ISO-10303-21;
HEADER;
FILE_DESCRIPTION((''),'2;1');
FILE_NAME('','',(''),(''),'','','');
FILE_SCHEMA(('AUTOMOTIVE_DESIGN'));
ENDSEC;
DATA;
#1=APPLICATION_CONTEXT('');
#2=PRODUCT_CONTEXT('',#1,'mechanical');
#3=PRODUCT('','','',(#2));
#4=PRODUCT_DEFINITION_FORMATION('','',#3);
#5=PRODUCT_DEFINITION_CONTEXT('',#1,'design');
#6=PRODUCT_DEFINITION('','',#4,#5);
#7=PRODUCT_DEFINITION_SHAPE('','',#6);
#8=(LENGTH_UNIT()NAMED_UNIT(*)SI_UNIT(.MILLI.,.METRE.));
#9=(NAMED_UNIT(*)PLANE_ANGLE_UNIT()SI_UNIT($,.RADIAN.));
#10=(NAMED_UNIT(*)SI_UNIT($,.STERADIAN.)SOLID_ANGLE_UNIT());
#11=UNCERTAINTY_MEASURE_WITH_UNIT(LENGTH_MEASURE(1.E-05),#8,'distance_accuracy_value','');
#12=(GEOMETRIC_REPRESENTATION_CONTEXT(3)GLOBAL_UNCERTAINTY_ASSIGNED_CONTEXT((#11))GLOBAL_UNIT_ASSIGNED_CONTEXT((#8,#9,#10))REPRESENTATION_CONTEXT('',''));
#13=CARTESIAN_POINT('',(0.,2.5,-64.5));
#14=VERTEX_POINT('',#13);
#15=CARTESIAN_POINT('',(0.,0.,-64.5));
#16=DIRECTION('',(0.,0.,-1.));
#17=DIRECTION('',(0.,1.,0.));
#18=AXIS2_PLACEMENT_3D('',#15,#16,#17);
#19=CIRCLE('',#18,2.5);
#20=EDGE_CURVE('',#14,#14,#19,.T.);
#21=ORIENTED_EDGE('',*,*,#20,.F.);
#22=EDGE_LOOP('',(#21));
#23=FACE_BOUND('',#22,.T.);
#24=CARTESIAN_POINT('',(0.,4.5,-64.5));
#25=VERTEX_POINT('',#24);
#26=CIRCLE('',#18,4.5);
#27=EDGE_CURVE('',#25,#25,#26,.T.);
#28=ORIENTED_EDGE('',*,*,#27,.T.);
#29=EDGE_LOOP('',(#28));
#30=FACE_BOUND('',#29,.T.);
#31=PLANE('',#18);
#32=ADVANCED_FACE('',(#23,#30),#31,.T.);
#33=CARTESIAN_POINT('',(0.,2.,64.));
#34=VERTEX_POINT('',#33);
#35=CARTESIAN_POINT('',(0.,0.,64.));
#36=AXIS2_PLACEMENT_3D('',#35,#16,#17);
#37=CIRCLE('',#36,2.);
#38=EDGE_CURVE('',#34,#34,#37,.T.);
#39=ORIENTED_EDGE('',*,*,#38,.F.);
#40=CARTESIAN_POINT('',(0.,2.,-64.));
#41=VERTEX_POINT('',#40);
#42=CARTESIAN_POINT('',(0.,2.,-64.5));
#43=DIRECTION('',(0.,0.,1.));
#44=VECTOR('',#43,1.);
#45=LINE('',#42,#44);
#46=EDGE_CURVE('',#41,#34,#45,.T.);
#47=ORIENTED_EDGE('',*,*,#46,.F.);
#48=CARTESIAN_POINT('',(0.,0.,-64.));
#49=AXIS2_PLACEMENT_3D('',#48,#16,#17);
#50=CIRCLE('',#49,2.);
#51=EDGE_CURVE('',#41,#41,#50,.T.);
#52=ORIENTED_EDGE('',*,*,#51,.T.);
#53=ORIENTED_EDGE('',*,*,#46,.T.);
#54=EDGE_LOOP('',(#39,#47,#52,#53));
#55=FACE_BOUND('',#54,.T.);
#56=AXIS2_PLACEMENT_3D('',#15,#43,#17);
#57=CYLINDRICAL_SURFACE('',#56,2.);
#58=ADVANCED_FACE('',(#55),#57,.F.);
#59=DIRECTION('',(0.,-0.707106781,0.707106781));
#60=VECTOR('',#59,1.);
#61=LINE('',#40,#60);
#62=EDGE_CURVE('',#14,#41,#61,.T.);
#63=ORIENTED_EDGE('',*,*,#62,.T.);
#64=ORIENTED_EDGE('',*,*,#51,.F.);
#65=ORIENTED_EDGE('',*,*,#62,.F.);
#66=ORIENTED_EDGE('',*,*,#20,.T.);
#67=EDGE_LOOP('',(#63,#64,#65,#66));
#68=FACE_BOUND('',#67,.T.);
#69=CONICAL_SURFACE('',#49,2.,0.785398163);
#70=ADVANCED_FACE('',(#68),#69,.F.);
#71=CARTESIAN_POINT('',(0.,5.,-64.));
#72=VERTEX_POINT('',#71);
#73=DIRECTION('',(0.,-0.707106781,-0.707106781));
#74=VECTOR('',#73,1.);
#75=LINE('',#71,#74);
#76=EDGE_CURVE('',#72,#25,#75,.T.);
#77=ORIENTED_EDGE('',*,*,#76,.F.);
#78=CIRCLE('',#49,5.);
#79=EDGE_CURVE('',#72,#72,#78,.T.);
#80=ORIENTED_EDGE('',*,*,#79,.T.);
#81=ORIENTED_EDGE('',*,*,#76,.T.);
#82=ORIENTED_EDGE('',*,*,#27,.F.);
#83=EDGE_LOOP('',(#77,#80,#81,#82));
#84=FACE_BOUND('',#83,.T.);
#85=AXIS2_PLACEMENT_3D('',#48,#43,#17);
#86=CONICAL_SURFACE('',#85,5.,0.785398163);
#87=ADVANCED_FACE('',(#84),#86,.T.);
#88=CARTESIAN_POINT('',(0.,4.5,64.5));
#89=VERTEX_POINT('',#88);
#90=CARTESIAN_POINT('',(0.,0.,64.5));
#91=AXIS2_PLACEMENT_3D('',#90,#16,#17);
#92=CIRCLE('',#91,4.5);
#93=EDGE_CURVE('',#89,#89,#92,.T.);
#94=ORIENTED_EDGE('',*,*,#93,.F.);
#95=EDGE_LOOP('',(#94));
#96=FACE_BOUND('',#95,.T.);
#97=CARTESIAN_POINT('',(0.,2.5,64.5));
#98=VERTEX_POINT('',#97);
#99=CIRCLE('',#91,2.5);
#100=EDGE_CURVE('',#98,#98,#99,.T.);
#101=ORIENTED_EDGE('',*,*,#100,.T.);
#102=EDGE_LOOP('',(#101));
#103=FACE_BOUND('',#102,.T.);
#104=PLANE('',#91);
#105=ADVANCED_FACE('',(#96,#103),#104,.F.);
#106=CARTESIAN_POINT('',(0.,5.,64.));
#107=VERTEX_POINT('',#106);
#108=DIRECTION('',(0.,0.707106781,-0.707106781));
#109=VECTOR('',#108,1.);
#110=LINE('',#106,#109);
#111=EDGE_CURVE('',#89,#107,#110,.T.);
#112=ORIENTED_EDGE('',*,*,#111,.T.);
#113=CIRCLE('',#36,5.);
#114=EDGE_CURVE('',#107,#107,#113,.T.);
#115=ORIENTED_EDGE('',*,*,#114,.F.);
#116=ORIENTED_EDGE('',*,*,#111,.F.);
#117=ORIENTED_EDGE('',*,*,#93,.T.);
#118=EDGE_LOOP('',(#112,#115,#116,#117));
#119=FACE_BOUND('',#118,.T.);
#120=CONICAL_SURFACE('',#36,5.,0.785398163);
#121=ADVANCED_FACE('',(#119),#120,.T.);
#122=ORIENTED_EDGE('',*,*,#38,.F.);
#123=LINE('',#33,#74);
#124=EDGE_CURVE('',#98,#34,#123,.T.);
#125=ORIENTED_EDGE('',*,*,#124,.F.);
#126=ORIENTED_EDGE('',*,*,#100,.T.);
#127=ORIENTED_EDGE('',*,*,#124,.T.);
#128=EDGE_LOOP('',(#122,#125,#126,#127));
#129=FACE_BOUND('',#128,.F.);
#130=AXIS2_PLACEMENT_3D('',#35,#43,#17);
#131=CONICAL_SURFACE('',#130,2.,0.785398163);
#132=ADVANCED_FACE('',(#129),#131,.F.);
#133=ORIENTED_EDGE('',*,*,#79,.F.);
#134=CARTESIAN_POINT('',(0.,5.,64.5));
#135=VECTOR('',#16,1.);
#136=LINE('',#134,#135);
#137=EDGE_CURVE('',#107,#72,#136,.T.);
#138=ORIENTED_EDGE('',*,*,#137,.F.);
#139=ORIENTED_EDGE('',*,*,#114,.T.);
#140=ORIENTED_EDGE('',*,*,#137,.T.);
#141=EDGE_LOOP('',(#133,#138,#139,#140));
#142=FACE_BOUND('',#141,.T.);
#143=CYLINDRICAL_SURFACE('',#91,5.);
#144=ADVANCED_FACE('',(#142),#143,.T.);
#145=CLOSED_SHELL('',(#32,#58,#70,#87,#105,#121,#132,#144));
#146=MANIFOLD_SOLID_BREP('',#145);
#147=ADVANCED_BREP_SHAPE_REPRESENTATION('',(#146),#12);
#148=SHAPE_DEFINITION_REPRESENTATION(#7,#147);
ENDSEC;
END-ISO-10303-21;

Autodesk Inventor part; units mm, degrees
ref_plane "YZ Plane" through (0, 0, 0) normal (1, 0, 0) x (0, 1, 0)
ref_plane "XZ Plane" through (0, 0, 0) normal (0, 1, 0) x (-1, 0, 0)
ref_plane "XY Plane" through (0, 0, 0) normal (0, 0, 1) x (1, 0, 0)
sketch "Boceto1" plane through (0, 0, 0) normal (1, 0, 0) x (0, 1, 0)
  line L0 (0, 64.5) -> (0, -64.5)
  line L1 (2, 64.5) -> (5, 64.5)
  line L2 (5, 64.5) -> (5, -64.5)
  line L3 (5, -64.5) -> (2, -64.5)
  line L4 (2, -64.5) -> (2, 64.5)
  point P0 (0, 0)
  point P1 (0, 0)
  dimension "d0" = 129
  dimension "d1" = 10
  dimension "d3" = 3
revolve "Revolución1" add sketch "Boceto1" angle 360 about axis through (0, 0, 64.5) along (0, 0, -1)
thread "Rosca1" size "M10x1.5" class "6g" standard "ANSI Metric M Profile" full length
chamfer "Chaflán1" distance 0.5 angle 45 4 edges at (0, -2, 64.5) (0, -5, 64.5) (0, -5, -64.5) (0, -2, -64.5)
properties part number "eje manzana"
